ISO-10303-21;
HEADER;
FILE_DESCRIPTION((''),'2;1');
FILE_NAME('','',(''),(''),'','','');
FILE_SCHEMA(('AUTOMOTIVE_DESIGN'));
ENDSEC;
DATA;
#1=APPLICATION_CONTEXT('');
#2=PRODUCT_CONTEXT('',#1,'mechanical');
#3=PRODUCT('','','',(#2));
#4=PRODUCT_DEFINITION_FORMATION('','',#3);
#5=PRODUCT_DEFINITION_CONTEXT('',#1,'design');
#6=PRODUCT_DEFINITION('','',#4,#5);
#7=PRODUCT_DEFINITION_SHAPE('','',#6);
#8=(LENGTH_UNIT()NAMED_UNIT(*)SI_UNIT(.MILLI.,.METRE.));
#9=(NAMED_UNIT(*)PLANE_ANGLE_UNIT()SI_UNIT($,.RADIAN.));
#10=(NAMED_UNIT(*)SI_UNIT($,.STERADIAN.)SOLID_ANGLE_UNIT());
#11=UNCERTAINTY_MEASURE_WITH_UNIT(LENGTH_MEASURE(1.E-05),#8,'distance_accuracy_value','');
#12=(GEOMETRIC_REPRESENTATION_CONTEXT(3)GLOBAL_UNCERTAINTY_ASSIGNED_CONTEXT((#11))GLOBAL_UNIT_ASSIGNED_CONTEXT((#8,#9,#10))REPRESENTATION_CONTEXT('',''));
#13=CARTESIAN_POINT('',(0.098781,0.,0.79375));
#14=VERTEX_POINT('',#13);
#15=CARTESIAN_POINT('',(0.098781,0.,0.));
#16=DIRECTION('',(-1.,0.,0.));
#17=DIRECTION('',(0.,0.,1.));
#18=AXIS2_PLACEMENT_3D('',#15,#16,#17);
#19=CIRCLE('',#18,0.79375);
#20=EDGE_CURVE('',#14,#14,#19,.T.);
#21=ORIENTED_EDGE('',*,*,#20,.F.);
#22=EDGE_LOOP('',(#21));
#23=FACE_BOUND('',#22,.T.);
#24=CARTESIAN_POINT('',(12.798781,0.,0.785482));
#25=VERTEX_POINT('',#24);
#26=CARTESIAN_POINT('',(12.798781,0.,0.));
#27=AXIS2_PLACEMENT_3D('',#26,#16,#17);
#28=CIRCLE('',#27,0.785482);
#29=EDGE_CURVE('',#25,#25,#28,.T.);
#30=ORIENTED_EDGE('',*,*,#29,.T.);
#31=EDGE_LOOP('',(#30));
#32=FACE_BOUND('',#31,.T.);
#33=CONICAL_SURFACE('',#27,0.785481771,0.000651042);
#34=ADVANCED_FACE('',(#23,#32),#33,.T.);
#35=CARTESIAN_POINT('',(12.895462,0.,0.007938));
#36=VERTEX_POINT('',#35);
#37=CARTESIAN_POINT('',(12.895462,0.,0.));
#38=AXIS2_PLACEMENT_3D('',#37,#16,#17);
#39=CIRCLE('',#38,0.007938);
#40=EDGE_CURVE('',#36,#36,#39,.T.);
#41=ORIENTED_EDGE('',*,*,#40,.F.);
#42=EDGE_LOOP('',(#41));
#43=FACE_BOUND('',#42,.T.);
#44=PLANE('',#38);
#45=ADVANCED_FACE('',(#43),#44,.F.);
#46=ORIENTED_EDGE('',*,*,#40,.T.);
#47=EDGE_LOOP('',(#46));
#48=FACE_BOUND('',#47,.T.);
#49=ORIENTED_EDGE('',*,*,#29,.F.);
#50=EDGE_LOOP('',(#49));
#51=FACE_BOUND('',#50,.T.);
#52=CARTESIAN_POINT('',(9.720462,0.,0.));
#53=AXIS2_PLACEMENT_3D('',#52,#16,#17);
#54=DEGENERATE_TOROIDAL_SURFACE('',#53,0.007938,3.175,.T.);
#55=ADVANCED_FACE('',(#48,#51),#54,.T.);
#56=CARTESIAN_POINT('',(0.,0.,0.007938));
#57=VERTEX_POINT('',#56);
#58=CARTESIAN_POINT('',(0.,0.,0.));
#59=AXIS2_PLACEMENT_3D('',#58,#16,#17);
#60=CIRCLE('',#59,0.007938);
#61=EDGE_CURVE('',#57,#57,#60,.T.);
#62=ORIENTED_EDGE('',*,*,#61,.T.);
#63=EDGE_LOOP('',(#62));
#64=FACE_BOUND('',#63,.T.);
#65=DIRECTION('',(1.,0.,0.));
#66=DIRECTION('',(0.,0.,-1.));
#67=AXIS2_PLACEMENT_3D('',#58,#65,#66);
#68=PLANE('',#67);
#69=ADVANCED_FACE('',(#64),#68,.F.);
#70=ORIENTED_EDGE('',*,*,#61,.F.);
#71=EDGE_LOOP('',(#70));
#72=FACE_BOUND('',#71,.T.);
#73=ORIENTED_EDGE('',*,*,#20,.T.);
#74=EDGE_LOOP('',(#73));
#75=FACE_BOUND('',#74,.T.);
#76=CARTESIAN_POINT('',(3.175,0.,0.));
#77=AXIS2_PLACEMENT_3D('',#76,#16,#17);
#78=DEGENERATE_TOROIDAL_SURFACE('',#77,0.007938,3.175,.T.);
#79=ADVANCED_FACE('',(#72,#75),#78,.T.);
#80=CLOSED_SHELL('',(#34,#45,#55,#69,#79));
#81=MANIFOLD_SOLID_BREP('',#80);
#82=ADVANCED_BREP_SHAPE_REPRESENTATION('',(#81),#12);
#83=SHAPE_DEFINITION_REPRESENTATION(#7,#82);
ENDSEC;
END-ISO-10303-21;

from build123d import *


with BuildPart() as part:
    # Sketch1 → Base-Revolve (revolve)
    with BuildSketch(Plane.XY):
        with BuildLine():
            Line((0, 0), (0, 0.0079375))
            ThreePointArc((0, 0.0079375), (0.024792029, 0.403935909), (0.098780938, 0.79375))
            Line((0.098780938, 0.79375), (12.798780938, 0.785481771))
            ThreePointArc((12.798780938, 0.785481771), (12.871198733, 0.399703452), (12.895461607, 0.0079375))
            Line((12.895461607, 0.0079375), (12.895461607, 0))
            Line((12.895461607, 0), (0, 0))
        make_face()
    revolve(axis=Axis((-5.588, 0, 0), (1, 0, 0)))


solid = part.part
